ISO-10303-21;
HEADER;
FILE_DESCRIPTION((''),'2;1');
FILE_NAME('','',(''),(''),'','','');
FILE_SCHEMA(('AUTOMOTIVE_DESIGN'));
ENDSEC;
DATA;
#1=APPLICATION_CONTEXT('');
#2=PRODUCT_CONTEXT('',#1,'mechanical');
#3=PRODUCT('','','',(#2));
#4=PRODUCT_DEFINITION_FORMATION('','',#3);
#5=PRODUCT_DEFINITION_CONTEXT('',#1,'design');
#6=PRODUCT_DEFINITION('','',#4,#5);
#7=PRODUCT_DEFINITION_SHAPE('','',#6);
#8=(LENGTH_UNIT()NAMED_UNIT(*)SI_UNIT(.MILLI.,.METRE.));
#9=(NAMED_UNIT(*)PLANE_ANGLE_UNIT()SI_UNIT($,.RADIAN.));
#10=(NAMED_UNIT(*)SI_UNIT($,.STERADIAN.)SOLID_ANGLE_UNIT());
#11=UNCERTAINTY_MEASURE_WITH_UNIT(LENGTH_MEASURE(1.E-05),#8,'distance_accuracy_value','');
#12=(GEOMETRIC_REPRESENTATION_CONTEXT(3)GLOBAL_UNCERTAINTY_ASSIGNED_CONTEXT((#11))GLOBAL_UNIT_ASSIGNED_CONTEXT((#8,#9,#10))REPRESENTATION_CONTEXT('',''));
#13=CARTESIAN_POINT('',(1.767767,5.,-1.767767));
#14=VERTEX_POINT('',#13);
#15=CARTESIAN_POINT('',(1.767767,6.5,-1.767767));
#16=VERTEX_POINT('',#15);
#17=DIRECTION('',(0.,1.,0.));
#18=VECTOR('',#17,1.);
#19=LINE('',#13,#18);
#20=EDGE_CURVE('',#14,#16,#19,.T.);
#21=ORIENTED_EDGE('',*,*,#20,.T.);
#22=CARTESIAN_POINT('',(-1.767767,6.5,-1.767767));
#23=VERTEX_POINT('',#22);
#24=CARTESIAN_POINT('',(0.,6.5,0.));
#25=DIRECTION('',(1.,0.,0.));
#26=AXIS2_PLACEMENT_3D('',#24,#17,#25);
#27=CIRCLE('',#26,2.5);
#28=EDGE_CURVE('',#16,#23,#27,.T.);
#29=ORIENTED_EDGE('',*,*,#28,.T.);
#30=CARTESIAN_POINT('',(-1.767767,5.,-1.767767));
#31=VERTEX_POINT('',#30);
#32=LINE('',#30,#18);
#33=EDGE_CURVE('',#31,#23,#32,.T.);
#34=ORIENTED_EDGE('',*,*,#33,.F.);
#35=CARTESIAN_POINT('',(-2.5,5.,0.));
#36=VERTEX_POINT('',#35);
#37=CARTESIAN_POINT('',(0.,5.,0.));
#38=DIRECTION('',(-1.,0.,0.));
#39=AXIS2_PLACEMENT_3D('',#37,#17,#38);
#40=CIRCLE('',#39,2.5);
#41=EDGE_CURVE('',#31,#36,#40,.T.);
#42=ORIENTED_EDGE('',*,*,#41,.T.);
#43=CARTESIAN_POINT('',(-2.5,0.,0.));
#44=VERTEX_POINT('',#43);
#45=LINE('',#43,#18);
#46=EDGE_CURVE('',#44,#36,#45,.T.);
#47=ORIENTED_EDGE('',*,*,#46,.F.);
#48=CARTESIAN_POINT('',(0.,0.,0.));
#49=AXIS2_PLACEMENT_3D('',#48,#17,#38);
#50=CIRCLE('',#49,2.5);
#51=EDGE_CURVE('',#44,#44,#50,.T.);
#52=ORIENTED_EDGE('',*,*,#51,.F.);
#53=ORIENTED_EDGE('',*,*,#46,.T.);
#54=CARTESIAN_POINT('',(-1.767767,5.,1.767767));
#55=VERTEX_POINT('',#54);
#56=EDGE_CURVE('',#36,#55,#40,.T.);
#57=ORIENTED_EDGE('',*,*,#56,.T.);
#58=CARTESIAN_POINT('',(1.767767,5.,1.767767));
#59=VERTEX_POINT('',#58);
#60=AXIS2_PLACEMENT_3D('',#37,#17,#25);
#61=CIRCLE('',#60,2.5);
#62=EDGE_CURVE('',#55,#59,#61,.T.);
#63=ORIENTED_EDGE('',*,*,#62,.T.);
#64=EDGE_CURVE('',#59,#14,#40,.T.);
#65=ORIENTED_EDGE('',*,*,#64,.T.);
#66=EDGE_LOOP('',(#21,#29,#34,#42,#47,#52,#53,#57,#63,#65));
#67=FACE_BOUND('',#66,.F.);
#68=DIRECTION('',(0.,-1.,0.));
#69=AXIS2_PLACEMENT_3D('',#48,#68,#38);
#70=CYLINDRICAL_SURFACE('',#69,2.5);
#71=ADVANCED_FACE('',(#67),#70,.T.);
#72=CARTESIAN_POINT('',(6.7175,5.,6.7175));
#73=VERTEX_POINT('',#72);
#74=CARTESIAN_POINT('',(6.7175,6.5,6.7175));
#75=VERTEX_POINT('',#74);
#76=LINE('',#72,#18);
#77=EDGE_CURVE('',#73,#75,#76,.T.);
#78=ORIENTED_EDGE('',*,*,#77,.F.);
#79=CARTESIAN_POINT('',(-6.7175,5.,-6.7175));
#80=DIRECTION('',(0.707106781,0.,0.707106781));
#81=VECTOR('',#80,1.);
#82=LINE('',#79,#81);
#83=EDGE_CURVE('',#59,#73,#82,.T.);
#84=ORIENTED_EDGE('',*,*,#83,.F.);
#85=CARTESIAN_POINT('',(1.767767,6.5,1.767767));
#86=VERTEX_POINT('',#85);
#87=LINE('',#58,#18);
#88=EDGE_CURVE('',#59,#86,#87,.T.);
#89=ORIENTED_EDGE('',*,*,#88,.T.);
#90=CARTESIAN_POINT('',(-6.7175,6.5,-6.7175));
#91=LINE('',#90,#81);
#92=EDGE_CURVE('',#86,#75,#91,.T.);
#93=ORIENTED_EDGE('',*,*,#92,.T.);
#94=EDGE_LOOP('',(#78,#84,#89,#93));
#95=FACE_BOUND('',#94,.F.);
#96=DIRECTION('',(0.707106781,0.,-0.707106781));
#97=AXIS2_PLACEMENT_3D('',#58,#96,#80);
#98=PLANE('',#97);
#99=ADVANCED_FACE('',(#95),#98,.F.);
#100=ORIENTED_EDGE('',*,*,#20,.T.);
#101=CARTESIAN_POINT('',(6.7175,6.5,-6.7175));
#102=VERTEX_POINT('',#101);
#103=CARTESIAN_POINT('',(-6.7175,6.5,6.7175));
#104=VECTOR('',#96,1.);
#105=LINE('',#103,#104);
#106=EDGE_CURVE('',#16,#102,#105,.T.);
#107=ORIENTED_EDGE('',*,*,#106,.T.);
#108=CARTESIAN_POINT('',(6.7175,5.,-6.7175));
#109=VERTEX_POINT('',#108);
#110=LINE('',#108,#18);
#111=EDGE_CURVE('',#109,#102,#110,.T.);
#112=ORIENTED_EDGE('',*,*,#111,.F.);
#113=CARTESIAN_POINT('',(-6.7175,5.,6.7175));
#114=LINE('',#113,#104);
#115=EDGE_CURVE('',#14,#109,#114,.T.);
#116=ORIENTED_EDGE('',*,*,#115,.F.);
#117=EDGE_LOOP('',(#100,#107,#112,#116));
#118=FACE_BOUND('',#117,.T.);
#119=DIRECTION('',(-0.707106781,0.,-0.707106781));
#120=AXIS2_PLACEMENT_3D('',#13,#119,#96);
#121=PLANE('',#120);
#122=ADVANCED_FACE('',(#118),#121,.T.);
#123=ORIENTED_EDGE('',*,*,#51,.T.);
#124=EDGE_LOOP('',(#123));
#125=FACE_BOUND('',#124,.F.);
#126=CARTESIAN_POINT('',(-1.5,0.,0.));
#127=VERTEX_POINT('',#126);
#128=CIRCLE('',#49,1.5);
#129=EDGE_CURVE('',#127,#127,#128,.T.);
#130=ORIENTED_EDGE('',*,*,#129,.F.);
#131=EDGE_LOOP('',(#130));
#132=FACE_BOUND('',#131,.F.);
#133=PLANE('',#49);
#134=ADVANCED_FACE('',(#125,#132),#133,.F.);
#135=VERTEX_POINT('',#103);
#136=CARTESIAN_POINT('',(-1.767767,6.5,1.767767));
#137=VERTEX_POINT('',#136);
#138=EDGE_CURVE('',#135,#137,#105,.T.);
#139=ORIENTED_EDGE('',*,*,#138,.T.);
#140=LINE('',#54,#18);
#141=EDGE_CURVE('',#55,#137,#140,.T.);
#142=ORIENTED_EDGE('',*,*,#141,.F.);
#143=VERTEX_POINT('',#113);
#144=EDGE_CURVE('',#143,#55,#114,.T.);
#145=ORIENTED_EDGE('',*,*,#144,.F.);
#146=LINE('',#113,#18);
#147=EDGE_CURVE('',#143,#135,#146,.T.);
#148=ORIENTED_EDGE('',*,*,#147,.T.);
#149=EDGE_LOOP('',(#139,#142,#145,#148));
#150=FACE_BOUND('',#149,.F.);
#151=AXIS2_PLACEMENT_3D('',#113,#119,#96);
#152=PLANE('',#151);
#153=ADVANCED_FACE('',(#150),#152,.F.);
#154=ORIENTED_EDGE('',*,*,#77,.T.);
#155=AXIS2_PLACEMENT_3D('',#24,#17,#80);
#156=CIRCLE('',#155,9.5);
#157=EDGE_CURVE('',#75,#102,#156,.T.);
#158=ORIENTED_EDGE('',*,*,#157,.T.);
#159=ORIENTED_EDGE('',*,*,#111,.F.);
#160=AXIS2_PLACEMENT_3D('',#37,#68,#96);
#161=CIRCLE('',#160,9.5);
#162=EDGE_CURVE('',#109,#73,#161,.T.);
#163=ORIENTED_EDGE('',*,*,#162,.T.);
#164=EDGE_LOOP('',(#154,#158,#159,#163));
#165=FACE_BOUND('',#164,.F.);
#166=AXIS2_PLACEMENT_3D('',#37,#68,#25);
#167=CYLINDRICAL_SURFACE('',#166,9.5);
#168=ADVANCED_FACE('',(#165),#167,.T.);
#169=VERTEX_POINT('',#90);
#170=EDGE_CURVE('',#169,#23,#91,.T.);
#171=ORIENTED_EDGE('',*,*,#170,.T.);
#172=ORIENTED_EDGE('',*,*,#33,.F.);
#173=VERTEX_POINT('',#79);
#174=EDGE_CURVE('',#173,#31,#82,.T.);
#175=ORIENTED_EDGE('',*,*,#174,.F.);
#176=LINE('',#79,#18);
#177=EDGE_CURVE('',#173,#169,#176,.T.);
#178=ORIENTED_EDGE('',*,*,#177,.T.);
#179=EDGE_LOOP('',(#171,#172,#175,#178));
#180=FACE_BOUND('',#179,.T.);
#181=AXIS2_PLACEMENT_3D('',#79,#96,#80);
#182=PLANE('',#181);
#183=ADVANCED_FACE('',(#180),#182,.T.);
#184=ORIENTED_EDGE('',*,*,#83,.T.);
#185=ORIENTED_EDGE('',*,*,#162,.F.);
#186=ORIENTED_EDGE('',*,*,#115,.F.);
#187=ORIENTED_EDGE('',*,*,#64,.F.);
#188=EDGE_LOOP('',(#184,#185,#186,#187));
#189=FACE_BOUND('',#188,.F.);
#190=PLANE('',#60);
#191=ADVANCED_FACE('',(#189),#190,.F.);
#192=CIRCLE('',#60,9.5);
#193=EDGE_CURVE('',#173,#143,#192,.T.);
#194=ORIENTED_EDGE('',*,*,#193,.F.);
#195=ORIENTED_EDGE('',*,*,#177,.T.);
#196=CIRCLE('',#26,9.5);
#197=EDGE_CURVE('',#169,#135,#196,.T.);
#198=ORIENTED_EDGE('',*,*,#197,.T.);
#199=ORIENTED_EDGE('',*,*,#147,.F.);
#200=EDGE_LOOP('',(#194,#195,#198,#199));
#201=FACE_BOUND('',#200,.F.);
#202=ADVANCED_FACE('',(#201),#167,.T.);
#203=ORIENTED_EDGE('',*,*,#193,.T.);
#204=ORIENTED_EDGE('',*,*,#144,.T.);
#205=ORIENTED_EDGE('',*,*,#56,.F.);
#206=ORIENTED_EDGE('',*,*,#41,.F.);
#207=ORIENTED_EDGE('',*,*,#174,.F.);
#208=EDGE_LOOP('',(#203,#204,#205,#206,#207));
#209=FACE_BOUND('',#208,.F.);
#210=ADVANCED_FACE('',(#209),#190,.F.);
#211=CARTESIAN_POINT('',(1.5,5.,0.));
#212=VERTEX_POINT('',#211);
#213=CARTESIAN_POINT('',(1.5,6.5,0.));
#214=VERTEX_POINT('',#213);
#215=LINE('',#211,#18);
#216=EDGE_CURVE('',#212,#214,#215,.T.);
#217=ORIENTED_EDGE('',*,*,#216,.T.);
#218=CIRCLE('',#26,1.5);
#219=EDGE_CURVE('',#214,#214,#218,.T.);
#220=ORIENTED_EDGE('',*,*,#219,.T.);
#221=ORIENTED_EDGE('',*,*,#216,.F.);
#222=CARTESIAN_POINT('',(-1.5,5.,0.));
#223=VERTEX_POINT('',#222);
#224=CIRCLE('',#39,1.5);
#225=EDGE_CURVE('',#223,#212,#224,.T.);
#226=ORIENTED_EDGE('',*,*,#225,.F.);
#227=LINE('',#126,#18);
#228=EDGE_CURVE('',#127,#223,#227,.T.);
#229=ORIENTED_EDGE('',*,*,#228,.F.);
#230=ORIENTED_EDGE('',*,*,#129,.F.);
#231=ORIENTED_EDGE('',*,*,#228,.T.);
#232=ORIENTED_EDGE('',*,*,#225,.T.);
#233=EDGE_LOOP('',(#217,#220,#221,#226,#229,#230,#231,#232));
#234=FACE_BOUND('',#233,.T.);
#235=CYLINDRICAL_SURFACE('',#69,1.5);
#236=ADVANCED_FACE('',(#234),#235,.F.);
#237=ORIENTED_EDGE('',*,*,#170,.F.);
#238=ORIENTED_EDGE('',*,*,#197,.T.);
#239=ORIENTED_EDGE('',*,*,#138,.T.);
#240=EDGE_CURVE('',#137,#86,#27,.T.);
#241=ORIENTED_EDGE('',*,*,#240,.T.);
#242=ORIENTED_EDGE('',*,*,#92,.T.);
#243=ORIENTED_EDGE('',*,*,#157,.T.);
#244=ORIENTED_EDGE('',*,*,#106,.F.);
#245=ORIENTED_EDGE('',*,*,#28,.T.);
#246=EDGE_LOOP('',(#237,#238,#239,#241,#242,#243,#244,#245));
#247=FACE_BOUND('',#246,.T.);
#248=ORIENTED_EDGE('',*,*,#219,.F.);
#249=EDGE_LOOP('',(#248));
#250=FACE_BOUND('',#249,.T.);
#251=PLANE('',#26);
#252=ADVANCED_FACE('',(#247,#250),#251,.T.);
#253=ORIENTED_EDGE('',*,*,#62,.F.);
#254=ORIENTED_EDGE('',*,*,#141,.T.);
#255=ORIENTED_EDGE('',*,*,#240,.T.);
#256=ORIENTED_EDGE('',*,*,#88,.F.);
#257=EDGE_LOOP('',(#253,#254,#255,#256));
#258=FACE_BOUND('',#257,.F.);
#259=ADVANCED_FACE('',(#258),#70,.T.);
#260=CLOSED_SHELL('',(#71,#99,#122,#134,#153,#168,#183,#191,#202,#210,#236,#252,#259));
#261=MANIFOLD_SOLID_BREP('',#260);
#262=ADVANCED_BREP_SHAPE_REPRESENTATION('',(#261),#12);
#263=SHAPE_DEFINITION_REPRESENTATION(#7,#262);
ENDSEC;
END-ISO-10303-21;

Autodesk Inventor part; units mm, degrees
ref_plane "YZ Plane" through (0, 0, 0) normal (1, 0, 0) x (0, 1, 0)
ref_plane "XZ Plane" through (0, 0, 0) normal (0, 1, 0) x (-1, 0, 0)
ref_plane "XY Plane" through (0, 0, 0) normal (0, 0, 1) x (1, 0, 0)
sketch "Sketch1" plane through (0, 0, 0) normal (0, 1, 0) x (-1, 0, 0)
  circle A0 centre (0, 0) radius 2.5
  circle A1 centre (0, 0) radius 1.5
  dimension "d1" = 3
  dimension "d2" = 1
extrude "Extrusion1" add sketch "Sketch1" along normal blind 5
sketch "Sketch2" plane through (0, 5, 0) normal (0, 1, 0) x (1, 0, 0)
  circle A0 centre (0, 0) radius 1.5 projected
  circle A1 centre (0, 0) radius 9.5
  line L0 (-6.7175, -6.7175) -> (6.7175, 6.7175)
  line L1 (-6.7175, 6.7175) -> (6.7175, -6.7175)
  line L2 (-9.5, 0) -> (9.5, 0) construction
  circle A2 centre (0, 0) radius 2.5 projected
  point P0 (1.7678, -1.7678)
  point P1 (1.7678, 1.7678)
  point P2 (-1.7678, 1.7678)
  point P3 (-1.7678, -1.7678)
  dimension "d5" = 19
  dimension "d6" = 45
  dimension "d7" = 45
extrude "Extrusion2" add sketch "Sketch2" along normal blind 1.5 contours A0 L0 A2 L1 | A0 L1 A2 L0 | L1 A2 L0 A0 | A0 L0 A2 L1 | L0 A1 L1 A2 | A2 L0 A1 L1 picked at (6.8013, -2.1485) picked at (-6.4568, -3.0059)
equation "\"d7\" = d6"
properties part number "Helice"
